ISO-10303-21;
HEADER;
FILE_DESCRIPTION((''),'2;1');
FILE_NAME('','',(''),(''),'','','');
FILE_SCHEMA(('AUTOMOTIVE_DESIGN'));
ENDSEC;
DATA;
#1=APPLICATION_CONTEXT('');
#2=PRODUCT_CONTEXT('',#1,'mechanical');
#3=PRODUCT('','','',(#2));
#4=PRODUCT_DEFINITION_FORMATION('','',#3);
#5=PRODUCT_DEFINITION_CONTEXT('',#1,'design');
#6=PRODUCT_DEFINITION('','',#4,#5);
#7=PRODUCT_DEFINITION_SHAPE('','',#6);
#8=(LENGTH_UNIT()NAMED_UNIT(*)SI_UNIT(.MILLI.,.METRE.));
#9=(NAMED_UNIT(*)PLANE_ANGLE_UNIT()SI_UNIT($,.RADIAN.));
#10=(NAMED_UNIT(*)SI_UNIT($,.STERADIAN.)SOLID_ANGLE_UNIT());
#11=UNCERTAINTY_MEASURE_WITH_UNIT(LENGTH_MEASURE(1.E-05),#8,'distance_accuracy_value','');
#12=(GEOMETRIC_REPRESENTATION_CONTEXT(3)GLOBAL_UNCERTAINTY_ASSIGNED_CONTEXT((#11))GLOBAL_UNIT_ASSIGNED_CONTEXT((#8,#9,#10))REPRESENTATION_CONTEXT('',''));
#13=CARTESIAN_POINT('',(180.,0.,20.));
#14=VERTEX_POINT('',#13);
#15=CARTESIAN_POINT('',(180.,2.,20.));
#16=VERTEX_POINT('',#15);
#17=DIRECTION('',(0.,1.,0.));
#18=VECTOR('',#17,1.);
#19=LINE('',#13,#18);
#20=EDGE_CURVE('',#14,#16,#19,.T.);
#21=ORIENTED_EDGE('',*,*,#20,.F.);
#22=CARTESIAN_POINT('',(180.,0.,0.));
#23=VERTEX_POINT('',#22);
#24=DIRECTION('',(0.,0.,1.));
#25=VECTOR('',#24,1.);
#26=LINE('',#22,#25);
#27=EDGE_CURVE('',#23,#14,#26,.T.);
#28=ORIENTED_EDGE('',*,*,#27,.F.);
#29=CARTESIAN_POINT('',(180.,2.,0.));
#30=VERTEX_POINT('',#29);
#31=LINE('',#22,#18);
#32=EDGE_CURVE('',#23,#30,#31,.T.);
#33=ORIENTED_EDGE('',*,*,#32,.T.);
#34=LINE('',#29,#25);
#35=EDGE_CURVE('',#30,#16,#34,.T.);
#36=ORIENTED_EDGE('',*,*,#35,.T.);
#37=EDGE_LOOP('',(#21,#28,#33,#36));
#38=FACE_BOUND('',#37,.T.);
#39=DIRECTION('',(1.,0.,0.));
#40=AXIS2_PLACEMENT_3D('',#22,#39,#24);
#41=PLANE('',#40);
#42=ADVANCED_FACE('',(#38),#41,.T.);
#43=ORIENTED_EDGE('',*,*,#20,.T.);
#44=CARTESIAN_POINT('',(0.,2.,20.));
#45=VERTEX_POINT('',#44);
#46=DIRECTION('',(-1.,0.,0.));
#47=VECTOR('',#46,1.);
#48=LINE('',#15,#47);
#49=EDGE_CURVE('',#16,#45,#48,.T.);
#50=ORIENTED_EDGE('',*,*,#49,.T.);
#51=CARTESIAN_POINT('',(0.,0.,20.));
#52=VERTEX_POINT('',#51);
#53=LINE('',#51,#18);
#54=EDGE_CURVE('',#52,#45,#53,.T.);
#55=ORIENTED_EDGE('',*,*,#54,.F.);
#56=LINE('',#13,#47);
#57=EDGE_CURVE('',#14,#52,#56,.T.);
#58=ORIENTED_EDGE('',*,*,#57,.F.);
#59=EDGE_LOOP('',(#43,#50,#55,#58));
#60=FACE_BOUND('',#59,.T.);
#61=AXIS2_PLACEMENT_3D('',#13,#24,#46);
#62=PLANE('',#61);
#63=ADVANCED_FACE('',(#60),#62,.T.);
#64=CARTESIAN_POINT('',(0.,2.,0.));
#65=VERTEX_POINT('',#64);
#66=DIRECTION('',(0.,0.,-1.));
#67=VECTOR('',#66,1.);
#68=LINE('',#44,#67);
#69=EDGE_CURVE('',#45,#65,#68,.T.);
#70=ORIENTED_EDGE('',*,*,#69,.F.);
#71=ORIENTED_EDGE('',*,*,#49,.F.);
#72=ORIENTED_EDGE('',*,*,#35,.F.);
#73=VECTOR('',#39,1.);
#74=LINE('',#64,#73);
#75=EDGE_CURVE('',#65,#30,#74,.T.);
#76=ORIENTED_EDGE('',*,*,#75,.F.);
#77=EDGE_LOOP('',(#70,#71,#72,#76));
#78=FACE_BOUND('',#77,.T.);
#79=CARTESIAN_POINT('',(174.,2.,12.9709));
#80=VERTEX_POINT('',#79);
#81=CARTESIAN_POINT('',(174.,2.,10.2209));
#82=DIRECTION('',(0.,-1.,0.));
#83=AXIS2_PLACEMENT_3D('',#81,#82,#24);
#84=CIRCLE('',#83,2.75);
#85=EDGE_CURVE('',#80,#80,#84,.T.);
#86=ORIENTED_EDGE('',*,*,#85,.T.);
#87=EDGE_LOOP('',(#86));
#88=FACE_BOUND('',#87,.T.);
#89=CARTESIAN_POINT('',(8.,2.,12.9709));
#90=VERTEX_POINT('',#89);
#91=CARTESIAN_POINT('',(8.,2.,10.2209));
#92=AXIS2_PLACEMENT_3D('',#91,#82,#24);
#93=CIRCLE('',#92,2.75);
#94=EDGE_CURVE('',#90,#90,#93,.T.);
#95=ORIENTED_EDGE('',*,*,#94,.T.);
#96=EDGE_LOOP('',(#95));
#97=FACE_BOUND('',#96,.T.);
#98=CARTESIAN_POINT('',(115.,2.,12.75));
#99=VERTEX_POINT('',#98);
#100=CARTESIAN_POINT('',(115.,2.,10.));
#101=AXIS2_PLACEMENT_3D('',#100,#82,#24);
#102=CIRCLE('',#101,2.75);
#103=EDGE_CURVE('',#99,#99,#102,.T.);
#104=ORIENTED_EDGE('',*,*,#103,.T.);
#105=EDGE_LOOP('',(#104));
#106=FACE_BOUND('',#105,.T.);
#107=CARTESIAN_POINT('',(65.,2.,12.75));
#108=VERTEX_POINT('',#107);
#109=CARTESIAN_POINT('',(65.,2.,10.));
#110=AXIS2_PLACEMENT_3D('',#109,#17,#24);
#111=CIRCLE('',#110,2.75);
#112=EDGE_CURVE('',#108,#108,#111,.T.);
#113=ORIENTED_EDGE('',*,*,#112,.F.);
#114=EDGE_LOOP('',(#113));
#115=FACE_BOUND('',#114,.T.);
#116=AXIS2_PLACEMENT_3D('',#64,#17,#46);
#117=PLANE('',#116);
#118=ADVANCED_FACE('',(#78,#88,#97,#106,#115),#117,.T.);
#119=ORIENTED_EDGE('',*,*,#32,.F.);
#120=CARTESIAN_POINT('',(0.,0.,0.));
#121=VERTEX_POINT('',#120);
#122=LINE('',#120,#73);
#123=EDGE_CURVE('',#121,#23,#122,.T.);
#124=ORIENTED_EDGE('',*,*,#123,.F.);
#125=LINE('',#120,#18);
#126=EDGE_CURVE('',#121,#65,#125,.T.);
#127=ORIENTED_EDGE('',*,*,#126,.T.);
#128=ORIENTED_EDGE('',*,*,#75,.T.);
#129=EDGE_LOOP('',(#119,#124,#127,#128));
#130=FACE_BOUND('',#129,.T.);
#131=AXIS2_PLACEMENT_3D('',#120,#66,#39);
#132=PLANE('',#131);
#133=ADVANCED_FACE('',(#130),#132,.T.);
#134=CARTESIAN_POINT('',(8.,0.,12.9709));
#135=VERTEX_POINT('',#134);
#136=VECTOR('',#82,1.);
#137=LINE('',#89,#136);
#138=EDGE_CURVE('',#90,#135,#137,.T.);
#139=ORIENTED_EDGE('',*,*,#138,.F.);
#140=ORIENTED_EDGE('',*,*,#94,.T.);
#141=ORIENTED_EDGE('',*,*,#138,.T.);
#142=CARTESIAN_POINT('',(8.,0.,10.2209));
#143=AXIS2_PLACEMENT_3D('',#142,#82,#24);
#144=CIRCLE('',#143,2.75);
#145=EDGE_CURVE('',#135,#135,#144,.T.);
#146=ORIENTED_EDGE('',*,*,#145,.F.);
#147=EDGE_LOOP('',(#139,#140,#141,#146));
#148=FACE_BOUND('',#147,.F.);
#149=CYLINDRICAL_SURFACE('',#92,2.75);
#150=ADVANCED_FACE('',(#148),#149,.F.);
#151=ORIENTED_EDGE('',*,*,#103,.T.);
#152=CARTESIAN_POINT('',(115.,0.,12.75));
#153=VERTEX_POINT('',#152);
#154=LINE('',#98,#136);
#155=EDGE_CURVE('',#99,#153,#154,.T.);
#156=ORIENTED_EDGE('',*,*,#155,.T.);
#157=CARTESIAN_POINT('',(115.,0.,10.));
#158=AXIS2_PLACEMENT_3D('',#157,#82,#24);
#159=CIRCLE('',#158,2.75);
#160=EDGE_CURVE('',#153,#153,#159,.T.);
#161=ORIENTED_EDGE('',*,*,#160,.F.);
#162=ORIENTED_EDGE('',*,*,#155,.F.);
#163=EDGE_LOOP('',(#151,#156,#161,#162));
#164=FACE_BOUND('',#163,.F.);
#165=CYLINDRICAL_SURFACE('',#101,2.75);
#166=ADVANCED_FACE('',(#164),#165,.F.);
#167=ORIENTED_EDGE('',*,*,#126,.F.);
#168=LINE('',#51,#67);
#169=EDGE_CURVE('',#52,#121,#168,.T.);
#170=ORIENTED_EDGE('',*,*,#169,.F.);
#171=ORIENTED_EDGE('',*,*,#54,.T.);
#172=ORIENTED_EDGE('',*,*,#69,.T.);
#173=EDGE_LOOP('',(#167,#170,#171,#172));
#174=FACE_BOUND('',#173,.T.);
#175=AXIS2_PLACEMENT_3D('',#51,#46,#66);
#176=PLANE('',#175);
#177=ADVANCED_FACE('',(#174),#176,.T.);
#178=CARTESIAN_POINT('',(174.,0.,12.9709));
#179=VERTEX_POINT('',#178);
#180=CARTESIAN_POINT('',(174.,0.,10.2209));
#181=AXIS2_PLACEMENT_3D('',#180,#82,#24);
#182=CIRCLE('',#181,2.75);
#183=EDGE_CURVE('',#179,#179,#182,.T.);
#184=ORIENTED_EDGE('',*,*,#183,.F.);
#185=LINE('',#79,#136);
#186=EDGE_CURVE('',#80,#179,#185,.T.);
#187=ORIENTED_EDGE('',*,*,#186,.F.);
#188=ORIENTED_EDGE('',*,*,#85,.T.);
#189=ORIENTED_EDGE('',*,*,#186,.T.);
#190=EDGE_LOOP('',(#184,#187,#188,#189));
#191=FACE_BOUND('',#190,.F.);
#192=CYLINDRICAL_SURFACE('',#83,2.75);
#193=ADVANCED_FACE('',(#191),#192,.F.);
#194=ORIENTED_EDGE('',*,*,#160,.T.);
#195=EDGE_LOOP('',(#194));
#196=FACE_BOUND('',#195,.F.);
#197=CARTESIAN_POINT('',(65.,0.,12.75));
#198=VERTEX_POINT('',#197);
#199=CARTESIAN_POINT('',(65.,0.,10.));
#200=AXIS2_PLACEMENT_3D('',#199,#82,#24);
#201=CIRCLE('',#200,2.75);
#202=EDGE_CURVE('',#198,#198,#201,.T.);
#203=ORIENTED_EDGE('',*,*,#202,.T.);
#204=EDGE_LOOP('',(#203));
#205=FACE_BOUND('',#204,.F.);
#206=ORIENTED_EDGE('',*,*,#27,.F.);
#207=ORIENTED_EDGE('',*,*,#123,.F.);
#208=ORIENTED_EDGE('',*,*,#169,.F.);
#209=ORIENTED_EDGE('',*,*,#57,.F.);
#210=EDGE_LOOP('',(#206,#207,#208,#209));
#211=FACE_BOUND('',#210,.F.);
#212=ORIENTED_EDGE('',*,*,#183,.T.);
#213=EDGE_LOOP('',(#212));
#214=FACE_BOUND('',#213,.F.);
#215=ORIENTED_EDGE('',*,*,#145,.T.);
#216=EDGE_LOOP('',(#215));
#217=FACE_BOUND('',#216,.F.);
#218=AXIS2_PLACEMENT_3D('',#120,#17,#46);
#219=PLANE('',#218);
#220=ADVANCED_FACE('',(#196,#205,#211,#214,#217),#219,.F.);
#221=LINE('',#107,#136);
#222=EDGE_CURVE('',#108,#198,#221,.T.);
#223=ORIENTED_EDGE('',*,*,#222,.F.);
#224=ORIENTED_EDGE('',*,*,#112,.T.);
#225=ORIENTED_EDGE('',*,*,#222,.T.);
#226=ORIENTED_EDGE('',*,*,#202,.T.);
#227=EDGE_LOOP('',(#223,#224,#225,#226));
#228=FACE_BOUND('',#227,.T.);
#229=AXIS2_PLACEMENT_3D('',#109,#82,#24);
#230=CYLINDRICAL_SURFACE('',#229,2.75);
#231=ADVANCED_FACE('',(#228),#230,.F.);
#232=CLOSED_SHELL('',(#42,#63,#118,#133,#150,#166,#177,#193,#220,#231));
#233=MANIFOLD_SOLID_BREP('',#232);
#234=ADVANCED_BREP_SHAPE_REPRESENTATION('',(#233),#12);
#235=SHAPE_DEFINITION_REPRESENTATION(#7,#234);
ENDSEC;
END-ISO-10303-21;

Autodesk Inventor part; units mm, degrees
ref_plane "XZ Plane" through (0, 0, 0) normal (0, 1, 0) x (-1, 0, 0)
ref_plane "XY Plane" through (0, 0, 0) normal (0, 0, 1) x (1, 0, 0)
sketch "Sketch1" plane through (0, 0, 0) normal (0, 1, 0) x (-1, 0, 0)
  line L0 (0, 0) -> (-180, 0)
  line L1 (-180, 0) -> (-180, 20)
  line L2 (-180, 20) -> (0, 20)
  line L3 (0, 20) -> (0, 0)
  dimension "d0" = 180
  dimension "d1" = 20
extrude "Extrusion1" add sketch "Sketch1" along normal blind 2
hole "Hole1" at (8, 2, 10.2209) direction (0, -1, 0) diameter 5.5 end through all
pattern_linear "Rectangular Pattern1" count 2 spacing 166 along (1, 0, 0) of "Hole1"
sketch "Sketch2" plane through (0, 2, 0) normal (0, 1, 0) x (1, 0, 0)
  line L0 (0, -20) -> (180, -20) projected
  line L1 (90, -20) -> (90, 0) construction
  line L2 (90, -10) -> (115, -10) construction
  point P0 (0, 0)
  dimension "d16" = 25
hole "Hole2" at (115, 2, 10) direction (0, -1, 0) diameter 5.5 end through all
ref_plane "Work Plane1" through (90, 0, 0) normal (1, 0, 0) x (0, 1, 0)
mirror "Mirror1" about plane through (90, 0, 0) normal (1, 0, 0) of "Hole2"
properties part number "flat bar1" material "Aluminum 6061"
